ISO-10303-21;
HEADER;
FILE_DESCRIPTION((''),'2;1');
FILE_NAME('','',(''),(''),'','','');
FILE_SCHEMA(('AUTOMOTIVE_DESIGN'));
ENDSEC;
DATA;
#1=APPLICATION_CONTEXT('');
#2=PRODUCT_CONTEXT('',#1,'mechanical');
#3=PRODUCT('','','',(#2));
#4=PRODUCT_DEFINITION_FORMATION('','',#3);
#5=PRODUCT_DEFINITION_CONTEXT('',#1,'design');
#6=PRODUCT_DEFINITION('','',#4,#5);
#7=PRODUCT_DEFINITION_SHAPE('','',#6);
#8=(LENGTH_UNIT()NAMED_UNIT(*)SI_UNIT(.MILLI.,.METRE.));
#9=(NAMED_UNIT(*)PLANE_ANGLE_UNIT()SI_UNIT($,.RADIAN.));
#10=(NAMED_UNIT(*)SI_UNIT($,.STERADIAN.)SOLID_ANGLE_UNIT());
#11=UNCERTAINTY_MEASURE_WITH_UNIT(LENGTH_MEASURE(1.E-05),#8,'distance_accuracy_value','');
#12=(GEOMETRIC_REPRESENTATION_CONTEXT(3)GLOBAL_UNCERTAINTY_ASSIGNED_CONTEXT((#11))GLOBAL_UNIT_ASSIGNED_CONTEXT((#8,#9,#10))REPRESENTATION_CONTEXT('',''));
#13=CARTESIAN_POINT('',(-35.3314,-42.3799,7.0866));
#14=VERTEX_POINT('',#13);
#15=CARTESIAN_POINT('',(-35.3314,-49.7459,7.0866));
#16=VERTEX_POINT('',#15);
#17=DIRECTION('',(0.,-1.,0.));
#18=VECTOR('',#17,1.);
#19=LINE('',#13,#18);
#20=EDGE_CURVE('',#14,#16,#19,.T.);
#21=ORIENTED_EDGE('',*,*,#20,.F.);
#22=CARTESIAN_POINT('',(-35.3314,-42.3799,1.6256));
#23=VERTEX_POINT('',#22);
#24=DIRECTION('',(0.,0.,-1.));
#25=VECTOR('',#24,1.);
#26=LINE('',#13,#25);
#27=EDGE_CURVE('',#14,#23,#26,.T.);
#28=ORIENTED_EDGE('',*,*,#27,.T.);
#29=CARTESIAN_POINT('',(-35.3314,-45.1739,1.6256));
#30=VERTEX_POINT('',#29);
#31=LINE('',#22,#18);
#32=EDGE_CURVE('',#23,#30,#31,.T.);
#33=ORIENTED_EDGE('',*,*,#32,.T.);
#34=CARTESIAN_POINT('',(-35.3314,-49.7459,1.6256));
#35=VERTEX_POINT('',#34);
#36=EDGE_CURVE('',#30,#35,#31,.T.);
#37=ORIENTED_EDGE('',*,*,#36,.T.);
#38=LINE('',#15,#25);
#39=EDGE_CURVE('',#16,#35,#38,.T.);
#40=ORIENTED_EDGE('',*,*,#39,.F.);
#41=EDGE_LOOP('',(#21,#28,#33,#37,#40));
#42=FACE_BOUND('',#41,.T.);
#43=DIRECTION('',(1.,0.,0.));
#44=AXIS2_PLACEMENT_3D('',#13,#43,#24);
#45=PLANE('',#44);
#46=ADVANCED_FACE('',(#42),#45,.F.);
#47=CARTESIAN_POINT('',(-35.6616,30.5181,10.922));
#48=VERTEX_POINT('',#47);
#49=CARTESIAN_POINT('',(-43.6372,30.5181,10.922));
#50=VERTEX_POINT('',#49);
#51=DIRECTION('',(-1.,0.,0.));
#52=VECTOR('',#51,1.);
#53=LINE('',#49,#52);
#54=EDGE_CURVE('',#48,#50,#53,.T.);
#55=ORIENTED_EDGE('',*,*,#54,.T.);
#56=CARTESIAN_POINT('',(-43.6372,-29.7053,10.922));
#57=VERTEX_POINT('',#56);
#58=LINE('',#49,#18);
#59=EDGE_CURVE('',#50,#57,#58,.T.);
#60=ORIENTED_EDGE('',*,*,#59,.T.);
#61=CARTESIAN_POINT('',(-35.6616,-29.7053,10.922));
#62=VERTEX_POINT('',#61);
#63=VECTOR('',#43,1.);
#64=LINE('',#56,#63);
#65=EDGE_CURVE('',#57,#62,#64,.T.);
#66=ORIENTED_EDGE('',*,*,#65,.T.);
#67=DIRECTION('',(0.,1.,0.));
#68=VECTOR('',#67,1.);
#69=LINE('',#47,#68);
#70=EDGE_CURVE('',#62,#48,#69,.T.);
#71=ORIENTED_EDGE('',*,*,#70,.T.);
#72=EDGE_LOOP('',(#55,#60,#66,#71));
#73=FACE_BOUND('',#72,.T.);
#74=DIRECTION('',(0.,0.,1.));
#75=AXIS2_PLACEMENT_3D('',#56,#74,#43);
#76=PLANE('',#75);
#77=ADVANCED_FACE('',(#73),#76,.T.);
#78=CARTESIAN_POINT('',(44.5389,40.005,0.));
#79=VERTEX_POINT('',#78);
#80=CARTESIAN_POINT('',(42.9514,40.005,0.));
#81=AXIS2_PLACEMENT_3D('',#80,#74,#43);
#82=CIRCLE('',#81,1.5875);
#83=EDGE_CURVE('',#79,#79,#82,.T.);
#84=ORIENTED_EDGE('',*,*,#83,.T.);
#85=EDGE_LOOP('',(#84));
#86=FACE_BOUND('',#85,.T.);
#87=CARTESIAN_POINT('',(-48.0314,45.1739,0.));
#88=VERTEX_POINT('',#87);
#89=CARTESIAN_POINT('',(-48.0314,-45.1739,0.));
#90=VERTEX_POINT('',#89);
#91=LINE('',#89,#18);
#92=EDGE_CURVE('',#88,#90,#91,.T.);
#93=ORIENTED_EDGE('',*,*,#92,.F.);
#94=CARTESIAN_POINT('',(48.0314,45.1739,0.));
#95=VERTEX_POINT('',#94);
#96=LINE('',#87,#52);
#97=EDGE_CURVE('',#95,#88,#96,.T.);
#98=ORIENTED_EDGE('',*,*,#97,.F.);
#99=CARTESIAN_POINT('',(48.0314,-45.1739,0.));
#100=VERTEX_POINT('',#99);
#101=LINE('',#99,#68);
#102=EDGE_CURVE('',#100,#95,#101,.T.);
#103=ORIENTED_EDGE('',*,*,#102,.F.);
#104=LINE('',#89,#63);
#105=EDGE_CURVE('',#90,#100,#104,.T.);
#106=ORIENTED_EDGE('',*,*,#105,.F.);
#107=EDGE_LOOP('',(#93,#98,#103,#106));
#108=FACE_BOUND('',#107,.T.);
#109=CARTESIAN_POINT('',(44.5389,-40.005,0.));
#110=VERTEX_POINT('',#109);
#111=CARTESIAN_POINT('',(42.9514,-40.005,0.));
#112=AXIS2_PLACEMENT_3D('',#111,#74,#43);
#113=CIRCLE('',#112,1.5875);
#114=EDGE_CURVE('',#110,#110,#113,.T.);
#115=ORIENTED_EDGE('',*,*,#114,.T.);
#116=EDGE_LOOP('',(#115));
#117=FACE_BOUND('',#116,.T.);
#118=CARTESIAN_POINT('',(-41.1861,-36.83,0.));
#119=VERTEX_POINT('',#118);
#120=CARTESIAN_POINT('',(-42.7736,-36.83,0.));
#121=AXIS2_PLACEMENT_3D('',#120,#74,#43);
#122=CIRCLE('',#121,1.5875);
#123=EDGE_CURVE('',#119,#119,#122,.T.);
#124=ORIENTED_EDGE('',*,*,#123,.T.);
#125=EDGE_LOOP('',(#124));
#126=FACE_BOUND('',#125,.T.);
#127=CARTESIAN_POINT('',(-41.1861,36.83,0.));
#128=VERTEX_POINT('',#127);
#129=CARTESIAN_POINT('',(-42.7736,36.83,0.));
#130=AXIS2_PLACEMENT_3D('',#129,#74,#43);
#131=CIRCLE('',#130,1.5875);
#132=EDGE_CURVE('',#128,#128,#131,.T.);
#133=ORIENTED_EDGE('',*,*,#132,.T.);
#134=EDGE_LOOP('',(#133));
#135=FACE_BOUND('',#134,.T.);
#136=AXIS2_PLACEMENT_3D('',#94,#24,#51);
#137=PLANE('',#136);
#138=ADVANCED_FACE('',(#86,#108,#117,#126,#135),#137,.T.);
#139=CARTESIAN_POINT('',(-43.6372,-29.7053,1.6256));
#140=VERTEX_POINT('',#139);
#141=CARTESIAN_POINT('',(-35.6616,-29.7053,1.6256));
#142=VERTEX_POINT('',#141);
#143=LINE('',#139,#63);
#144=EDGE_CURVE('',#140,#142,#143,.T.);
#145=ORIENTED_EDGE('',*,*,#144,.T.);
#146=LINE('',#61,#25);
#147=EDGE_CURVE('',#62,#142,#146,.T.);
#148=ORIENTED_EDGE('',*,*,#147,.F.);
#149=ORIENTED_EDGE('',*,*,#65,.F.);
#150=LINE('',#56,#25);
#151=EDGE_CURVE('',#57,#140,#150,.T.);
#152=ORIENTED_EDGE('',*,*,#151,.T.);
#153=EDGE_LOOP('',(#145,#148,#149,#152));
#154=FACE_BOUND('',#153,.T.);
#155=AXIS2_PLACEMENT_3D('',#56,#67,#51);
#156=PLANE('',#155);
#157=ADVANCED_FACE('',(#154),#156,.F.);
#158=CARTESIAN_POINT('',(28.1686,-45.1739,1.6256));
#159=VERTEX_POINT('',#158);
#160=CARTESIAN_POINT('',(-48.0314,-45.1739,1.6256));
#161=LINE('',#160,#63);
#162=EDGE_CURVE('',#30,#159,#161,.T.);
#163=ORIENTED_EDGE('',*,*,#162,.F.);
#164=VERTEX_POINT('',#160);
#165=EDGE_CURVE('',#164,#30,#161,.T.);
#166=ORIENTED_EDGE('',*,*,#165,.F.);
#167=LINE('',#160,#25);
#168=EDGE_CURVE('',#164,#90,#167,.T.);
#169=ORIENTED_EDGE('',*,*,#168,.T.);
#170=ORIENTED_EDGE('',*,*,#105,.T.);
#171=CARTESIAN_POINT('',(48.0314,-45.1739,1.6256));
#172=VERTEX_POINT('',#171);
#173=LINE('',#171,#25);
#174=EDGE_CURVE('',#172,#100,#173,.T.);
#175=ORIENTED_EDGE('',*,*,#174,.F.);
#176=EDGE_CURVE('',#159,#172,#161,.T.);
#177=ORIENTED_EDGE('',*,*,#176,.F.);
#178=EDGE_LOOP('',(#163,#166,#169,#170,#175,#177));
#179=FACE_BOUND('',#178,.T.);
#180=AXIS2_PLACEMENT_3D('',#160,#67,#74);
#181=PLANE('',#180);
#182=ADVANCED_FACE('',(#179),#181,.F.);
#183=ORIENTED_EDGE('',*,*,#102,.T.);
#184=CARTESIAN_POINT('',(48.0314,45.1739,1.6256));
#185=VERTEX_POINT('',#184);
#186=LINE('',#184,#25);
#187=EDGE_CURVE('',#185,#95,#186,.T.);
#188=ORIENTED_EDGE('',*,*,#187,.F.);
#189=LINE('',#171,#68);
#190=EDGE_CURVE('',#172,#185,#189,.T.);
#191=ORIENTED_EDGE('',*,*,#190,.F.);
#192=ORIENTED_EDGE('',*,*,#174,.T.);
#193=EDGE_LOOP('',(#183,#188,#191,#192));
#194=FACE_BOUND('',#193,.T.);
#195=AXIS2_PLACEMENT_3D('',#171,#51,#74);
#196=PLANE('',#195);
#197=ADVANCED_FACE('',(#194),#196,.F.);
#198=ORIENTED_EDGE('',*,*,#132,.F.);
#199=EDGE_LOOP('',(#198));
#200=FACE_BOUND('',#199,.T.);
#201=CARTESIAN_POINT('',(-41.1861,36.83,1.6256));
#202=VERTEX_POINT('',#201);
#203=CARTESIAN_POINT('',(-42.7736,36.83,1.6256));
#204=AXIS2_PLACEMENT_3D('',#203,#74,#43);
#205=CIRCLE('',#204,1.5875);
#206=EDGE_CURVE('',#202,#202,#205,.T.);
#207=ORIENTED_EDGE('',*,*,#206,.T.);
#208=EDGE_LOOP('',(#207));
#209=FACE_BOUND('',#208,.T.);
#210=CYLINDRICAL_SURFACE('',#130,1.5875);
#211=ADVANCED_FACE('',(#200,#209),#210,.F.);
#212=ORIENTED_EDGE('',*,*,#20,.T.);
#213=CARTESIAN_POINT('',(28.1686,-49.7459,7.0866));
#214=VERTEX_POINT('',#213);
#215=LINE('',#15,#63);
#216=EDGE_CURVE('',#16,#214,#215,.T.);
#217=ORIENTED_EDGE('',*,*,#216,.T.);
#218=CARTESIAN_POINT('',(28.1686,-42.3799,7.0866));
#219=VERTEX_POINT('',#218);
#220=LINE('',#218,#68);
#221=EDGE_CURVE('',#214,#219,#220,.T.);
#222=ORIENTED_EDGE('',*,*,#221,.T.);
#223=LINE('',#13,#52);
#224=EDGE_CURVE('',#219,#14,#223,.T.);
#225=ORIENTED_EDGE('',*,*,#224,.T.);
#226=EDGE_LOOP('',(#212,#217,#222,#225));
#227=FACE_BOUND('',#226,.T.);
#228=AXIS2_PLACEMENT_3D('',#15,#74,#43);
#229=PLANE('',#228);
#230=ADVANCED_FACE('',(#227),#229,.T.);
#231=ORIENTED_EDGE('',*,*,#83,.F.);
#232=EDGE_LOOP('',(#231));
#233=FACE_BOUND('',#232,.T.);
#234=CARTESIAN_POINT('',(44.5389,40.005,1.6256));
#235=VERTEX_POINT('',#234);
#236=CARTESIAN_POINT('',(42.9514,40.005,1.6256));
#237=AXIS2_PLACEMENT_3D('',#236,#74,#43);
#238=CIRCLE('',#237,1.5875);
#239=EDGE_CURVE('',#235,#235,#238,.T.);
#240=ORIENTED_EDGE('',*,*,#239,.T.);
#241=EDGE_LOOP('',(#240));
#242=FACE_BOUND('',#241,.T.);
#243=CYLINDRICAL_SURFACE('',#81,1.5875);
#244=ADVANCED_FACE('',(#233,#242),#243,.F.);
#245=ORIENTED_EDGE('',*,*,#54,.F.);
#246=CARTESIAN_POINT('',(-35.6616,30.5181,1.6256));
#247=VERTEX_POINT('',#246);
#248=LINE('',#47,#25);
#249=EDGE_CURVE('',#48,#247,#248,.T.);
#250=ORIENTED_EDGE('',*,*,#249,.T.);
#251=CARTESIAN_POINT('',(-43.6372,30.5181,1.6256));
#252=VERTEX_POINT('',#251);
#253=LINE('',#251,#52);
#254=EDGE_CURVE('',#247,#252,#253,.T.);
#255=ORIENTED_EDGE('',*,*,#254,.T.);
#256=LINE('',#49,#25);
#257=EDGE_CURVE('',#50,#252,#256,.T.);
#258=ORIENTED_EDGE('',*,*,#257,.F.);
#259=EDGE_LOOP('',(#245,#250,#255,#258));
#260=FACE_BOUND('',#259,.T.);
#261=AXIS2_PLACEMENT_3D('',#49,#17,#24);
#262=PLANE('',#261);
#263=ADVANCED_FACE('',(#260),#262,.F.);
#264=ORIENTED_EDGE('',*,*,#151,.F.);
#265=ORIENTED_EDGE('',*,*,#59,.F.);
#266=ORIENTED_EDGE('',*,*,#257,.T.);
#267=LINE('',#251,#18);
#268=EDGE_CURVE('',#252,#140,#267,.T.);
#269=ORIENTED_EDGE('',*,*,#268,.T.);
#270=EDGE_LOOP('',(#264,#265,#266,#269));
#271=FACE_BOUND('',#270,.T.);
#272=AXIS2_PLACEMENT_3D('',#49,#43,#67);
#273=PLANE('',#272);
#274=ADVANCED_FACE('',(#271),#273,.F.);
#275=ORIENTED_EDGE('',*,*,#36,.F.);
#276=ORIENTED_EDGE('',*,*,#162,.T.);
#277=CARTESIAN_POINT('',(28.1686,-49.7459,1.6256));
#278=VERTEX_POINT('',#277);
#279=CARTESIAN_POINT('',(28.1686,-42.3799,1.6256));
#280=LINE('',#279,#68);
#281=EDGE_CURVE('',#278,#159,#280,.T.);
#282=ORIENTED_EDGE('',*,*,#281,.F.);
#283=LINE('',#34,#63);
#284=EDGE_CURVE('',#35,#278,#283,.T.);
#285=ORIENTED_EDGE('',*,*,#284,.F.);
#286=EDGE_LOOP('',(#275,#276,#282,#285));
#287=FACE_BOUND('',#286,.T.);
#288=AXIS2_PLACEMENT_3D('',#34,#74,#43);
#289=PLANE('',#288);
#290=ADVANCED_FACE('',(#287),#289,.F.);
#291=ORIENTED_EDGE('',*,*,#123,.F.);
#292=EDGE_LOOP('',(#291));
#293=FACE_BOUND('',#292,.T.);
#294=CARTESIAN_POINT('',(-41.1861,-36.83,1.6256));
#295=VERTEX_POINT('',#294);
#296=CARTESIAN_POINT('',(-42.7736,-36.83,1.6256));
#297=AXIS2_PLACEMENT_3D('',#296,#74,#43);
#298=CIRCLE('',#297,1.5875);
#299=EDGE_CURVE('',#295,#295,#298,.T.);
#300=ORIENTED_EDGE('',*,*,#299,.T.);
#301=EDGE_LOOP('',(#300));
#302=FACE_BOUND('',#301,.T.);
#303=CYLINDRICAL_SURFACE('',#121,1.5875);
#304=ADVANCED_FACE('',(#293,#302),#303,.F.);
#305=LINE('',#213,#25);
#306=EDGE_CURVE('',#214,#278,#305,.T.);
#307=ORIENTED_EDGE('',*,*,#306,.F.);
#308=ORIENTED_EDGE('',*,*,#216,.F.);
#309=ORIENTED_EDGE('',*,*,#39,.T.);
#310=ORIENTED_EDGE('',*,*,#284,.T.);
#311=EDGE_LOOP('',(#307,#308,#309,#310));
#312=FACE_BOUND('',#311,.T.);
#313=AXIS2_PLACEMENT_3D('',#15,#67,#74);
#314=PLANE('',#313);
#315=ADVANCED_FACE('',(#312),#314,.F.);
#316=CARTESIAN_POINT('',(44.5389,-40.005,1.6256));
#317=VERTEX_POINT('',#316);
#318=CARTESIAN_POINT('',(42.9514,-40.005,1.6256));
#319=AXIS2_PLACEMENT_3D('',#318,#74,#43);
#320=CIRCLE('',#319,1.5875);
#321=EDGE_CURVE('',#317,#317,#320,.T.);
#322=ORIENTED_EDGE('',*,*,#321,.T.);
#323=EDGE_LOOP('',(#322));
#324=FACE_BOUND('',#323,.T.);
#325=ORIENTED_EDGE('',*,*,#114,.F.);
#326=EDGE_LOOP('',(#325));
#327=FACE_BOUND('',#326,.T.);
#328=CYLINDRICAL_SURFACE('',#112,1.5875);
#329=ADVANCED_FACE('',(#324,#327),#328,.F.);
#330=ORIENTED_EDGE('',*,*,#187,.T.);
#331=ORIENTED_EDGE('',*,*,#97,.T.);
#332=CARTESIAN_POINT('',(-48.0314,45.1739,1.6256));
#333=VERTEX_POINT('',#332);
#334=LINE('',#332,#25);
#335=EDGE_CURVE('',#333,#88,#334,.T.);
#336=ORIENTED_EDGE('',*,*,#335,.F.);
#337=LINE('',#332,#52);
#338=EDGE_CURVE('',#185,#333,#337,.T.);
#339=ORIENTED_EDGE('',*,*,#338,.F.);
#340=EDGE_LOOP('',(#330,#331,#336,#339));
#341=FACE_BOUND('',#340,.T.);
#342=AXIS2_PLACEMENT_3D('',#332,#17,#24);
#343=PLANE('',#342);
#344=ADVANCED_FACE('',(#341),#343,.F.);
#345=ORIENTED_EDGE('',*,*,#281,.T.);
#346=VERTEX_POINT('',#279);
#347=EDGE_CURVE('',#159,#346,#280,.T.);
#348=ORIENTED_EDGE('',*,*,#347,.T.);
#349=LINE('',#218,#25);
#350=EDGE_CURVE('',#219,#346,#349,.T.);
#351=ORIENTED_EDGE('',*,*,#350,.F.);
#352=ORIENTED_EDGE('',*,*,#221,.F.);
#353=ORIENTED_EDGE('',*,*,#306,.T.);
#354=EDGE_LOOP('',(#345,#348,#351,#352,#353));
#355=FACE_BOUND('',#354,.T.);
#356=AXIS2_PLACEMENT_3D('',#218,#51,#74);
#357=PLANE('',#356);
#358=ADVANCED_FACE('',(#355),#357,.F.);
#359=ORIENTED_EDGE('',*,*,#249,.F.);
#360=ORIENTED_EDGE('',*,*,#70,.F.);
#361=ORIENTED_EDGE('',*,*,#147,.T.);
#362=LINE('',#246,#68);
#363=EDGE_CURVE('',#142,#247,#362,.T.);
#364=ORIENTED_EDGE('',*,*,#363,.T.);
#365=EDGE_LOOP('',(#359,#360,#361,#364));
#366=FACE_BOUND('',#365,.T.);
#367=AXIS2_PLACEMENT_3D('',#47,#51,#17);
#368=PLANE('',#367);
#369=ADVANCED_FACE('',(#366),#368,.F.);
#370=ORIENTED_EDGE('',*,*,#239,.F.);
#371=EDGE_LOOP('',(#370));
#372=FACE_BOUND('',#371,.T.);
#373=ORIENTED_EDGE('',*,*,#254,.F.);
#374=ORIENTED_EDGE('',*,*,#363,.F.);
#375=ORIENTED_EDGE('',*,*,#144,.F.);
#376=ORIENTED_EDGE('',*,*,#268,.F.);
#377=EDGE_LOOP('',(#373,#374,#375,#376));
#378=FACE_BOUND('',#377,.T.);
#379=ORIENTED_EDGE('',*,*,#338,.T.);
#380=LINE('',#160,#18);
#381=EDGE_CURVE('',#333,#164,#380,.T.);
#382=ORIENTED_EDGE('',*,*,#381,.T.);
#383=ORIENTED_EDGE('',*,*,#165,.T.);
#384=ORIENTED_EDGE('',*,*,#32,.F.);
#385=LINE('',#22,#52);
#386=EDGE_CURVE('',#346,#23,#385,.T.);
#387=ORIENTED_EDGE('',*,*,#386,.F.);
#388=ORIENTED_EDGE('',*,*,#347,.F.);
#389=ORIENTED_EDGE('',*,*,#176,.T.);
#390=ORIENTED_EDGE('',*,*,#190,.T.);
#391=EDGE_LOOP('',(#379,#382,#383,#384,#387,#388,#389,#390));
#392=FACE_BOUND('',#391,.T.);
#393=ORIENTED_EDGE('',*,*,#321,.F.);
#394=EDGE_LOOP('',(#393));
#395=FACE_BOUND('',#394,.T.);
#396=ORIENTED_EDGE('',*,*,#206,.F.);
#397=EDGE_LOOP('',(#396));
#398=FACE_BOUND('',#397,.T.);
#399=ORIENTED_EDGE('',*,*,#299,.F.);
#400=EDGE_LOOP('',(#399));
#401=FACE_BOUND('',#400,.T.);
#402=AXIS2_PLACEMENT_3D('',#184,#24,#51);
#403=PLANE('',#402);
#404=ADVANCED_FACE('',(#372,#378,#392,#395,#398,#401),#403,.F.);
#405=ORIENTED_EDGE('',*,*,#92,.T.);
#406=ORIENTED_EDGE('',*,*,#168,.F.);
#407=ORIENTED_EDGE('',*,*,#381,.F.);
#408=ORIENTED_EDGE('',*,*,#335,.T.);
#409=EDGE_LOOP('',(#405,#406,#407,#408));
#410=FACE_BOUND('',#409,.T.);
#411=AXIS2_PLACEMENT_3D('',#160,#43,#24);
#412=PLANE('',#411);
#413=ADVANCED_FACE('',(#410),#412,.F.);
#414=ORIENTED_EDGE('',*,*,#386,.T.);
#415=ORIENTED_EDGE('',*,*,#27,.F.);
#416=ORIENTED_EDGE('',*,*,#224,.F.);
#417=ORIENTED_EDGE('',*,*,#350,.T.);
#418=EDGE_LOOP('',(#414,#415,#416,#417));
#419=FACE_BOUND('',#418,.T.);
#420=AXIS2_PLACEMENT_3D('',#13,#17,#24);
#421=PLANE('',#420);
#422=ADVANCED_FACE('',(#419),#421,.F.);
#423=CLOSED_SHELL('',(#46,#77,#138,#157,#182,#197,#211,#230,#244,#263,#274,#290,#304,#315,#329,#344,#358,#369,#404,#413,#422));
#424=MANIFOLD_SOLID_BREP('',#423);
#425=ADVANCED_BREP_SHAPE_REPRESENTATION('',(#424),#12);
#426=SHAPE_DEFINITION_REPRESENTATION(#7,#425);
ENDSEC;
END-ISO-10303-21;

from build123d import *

# Parameters (mm, degrees)
SKETCH1_W               = 96.0628
SKETCH1_H               = 90.3478
PCB_DEPTH               = 1.6256
SKETCH5_R               = 1.5875
PCB_HOLES_DEPTH         = 66.957101229
SKETCH2_W               = 7.9756
SKETCH2_H               = 60.2234
PCI_104_CONNECTOR_DEPTH = 9.2964
SKETCH6_W               = 63.5
SKETCH6_H               = 7.366
PCB_EDGE_CONNS_DEPTH    = 5.461


with BuildPart() as part:
    # Sketch1 → PCB (new body)
    with BuildSketch(Plane.XY):
        Rectangle(SKETCH1_W, SKETCH1_H)
    extrude(amount=PCB_DEPTH)

    # Sketch5 → PCB_Holes (cut, through all)
    with BuildSketch(Plane.XY.offset(1.6256)):
        with Locations((-42.7736, 36.83)):
            Circle(SKETCH5_R)
        with Locations((42.9514, 40.005)):
            Circle(SKETCH5_R)
        with Locations((42.9514, -40.005)):
            Circle(SKETCH5_R)
        with Locations((-42.7736, -36.83)):
            Circle(SKETCH5_R)
    extrude(amount=-PCB_HOLES_DEPTH, mode=Mode.SUBTRACT)

    # Sketch2 → PCI-104_Connector (add)
    with BuildSketch(Plane.XY.offset(1.6256)):
        with Locations((-39.6494, 0.4064)):
            Rectangle(SKETCH2_W, SKETCH2_H)
    extrude(amount=PCI_104_CONNECTOR_DEPTH)

    # Sketch6 → PCB_Edge_Conns (add)
    with BuildSketch(Plane.XY.offset(1.6256)):
        with Locations((-3.5814, -46.0629)):
            Rectangle(SKETCH6_W, SKETCH6_H)
    extrude(amount=PCB_EDGE_CONNS_DEPTH)


solid = part.part
